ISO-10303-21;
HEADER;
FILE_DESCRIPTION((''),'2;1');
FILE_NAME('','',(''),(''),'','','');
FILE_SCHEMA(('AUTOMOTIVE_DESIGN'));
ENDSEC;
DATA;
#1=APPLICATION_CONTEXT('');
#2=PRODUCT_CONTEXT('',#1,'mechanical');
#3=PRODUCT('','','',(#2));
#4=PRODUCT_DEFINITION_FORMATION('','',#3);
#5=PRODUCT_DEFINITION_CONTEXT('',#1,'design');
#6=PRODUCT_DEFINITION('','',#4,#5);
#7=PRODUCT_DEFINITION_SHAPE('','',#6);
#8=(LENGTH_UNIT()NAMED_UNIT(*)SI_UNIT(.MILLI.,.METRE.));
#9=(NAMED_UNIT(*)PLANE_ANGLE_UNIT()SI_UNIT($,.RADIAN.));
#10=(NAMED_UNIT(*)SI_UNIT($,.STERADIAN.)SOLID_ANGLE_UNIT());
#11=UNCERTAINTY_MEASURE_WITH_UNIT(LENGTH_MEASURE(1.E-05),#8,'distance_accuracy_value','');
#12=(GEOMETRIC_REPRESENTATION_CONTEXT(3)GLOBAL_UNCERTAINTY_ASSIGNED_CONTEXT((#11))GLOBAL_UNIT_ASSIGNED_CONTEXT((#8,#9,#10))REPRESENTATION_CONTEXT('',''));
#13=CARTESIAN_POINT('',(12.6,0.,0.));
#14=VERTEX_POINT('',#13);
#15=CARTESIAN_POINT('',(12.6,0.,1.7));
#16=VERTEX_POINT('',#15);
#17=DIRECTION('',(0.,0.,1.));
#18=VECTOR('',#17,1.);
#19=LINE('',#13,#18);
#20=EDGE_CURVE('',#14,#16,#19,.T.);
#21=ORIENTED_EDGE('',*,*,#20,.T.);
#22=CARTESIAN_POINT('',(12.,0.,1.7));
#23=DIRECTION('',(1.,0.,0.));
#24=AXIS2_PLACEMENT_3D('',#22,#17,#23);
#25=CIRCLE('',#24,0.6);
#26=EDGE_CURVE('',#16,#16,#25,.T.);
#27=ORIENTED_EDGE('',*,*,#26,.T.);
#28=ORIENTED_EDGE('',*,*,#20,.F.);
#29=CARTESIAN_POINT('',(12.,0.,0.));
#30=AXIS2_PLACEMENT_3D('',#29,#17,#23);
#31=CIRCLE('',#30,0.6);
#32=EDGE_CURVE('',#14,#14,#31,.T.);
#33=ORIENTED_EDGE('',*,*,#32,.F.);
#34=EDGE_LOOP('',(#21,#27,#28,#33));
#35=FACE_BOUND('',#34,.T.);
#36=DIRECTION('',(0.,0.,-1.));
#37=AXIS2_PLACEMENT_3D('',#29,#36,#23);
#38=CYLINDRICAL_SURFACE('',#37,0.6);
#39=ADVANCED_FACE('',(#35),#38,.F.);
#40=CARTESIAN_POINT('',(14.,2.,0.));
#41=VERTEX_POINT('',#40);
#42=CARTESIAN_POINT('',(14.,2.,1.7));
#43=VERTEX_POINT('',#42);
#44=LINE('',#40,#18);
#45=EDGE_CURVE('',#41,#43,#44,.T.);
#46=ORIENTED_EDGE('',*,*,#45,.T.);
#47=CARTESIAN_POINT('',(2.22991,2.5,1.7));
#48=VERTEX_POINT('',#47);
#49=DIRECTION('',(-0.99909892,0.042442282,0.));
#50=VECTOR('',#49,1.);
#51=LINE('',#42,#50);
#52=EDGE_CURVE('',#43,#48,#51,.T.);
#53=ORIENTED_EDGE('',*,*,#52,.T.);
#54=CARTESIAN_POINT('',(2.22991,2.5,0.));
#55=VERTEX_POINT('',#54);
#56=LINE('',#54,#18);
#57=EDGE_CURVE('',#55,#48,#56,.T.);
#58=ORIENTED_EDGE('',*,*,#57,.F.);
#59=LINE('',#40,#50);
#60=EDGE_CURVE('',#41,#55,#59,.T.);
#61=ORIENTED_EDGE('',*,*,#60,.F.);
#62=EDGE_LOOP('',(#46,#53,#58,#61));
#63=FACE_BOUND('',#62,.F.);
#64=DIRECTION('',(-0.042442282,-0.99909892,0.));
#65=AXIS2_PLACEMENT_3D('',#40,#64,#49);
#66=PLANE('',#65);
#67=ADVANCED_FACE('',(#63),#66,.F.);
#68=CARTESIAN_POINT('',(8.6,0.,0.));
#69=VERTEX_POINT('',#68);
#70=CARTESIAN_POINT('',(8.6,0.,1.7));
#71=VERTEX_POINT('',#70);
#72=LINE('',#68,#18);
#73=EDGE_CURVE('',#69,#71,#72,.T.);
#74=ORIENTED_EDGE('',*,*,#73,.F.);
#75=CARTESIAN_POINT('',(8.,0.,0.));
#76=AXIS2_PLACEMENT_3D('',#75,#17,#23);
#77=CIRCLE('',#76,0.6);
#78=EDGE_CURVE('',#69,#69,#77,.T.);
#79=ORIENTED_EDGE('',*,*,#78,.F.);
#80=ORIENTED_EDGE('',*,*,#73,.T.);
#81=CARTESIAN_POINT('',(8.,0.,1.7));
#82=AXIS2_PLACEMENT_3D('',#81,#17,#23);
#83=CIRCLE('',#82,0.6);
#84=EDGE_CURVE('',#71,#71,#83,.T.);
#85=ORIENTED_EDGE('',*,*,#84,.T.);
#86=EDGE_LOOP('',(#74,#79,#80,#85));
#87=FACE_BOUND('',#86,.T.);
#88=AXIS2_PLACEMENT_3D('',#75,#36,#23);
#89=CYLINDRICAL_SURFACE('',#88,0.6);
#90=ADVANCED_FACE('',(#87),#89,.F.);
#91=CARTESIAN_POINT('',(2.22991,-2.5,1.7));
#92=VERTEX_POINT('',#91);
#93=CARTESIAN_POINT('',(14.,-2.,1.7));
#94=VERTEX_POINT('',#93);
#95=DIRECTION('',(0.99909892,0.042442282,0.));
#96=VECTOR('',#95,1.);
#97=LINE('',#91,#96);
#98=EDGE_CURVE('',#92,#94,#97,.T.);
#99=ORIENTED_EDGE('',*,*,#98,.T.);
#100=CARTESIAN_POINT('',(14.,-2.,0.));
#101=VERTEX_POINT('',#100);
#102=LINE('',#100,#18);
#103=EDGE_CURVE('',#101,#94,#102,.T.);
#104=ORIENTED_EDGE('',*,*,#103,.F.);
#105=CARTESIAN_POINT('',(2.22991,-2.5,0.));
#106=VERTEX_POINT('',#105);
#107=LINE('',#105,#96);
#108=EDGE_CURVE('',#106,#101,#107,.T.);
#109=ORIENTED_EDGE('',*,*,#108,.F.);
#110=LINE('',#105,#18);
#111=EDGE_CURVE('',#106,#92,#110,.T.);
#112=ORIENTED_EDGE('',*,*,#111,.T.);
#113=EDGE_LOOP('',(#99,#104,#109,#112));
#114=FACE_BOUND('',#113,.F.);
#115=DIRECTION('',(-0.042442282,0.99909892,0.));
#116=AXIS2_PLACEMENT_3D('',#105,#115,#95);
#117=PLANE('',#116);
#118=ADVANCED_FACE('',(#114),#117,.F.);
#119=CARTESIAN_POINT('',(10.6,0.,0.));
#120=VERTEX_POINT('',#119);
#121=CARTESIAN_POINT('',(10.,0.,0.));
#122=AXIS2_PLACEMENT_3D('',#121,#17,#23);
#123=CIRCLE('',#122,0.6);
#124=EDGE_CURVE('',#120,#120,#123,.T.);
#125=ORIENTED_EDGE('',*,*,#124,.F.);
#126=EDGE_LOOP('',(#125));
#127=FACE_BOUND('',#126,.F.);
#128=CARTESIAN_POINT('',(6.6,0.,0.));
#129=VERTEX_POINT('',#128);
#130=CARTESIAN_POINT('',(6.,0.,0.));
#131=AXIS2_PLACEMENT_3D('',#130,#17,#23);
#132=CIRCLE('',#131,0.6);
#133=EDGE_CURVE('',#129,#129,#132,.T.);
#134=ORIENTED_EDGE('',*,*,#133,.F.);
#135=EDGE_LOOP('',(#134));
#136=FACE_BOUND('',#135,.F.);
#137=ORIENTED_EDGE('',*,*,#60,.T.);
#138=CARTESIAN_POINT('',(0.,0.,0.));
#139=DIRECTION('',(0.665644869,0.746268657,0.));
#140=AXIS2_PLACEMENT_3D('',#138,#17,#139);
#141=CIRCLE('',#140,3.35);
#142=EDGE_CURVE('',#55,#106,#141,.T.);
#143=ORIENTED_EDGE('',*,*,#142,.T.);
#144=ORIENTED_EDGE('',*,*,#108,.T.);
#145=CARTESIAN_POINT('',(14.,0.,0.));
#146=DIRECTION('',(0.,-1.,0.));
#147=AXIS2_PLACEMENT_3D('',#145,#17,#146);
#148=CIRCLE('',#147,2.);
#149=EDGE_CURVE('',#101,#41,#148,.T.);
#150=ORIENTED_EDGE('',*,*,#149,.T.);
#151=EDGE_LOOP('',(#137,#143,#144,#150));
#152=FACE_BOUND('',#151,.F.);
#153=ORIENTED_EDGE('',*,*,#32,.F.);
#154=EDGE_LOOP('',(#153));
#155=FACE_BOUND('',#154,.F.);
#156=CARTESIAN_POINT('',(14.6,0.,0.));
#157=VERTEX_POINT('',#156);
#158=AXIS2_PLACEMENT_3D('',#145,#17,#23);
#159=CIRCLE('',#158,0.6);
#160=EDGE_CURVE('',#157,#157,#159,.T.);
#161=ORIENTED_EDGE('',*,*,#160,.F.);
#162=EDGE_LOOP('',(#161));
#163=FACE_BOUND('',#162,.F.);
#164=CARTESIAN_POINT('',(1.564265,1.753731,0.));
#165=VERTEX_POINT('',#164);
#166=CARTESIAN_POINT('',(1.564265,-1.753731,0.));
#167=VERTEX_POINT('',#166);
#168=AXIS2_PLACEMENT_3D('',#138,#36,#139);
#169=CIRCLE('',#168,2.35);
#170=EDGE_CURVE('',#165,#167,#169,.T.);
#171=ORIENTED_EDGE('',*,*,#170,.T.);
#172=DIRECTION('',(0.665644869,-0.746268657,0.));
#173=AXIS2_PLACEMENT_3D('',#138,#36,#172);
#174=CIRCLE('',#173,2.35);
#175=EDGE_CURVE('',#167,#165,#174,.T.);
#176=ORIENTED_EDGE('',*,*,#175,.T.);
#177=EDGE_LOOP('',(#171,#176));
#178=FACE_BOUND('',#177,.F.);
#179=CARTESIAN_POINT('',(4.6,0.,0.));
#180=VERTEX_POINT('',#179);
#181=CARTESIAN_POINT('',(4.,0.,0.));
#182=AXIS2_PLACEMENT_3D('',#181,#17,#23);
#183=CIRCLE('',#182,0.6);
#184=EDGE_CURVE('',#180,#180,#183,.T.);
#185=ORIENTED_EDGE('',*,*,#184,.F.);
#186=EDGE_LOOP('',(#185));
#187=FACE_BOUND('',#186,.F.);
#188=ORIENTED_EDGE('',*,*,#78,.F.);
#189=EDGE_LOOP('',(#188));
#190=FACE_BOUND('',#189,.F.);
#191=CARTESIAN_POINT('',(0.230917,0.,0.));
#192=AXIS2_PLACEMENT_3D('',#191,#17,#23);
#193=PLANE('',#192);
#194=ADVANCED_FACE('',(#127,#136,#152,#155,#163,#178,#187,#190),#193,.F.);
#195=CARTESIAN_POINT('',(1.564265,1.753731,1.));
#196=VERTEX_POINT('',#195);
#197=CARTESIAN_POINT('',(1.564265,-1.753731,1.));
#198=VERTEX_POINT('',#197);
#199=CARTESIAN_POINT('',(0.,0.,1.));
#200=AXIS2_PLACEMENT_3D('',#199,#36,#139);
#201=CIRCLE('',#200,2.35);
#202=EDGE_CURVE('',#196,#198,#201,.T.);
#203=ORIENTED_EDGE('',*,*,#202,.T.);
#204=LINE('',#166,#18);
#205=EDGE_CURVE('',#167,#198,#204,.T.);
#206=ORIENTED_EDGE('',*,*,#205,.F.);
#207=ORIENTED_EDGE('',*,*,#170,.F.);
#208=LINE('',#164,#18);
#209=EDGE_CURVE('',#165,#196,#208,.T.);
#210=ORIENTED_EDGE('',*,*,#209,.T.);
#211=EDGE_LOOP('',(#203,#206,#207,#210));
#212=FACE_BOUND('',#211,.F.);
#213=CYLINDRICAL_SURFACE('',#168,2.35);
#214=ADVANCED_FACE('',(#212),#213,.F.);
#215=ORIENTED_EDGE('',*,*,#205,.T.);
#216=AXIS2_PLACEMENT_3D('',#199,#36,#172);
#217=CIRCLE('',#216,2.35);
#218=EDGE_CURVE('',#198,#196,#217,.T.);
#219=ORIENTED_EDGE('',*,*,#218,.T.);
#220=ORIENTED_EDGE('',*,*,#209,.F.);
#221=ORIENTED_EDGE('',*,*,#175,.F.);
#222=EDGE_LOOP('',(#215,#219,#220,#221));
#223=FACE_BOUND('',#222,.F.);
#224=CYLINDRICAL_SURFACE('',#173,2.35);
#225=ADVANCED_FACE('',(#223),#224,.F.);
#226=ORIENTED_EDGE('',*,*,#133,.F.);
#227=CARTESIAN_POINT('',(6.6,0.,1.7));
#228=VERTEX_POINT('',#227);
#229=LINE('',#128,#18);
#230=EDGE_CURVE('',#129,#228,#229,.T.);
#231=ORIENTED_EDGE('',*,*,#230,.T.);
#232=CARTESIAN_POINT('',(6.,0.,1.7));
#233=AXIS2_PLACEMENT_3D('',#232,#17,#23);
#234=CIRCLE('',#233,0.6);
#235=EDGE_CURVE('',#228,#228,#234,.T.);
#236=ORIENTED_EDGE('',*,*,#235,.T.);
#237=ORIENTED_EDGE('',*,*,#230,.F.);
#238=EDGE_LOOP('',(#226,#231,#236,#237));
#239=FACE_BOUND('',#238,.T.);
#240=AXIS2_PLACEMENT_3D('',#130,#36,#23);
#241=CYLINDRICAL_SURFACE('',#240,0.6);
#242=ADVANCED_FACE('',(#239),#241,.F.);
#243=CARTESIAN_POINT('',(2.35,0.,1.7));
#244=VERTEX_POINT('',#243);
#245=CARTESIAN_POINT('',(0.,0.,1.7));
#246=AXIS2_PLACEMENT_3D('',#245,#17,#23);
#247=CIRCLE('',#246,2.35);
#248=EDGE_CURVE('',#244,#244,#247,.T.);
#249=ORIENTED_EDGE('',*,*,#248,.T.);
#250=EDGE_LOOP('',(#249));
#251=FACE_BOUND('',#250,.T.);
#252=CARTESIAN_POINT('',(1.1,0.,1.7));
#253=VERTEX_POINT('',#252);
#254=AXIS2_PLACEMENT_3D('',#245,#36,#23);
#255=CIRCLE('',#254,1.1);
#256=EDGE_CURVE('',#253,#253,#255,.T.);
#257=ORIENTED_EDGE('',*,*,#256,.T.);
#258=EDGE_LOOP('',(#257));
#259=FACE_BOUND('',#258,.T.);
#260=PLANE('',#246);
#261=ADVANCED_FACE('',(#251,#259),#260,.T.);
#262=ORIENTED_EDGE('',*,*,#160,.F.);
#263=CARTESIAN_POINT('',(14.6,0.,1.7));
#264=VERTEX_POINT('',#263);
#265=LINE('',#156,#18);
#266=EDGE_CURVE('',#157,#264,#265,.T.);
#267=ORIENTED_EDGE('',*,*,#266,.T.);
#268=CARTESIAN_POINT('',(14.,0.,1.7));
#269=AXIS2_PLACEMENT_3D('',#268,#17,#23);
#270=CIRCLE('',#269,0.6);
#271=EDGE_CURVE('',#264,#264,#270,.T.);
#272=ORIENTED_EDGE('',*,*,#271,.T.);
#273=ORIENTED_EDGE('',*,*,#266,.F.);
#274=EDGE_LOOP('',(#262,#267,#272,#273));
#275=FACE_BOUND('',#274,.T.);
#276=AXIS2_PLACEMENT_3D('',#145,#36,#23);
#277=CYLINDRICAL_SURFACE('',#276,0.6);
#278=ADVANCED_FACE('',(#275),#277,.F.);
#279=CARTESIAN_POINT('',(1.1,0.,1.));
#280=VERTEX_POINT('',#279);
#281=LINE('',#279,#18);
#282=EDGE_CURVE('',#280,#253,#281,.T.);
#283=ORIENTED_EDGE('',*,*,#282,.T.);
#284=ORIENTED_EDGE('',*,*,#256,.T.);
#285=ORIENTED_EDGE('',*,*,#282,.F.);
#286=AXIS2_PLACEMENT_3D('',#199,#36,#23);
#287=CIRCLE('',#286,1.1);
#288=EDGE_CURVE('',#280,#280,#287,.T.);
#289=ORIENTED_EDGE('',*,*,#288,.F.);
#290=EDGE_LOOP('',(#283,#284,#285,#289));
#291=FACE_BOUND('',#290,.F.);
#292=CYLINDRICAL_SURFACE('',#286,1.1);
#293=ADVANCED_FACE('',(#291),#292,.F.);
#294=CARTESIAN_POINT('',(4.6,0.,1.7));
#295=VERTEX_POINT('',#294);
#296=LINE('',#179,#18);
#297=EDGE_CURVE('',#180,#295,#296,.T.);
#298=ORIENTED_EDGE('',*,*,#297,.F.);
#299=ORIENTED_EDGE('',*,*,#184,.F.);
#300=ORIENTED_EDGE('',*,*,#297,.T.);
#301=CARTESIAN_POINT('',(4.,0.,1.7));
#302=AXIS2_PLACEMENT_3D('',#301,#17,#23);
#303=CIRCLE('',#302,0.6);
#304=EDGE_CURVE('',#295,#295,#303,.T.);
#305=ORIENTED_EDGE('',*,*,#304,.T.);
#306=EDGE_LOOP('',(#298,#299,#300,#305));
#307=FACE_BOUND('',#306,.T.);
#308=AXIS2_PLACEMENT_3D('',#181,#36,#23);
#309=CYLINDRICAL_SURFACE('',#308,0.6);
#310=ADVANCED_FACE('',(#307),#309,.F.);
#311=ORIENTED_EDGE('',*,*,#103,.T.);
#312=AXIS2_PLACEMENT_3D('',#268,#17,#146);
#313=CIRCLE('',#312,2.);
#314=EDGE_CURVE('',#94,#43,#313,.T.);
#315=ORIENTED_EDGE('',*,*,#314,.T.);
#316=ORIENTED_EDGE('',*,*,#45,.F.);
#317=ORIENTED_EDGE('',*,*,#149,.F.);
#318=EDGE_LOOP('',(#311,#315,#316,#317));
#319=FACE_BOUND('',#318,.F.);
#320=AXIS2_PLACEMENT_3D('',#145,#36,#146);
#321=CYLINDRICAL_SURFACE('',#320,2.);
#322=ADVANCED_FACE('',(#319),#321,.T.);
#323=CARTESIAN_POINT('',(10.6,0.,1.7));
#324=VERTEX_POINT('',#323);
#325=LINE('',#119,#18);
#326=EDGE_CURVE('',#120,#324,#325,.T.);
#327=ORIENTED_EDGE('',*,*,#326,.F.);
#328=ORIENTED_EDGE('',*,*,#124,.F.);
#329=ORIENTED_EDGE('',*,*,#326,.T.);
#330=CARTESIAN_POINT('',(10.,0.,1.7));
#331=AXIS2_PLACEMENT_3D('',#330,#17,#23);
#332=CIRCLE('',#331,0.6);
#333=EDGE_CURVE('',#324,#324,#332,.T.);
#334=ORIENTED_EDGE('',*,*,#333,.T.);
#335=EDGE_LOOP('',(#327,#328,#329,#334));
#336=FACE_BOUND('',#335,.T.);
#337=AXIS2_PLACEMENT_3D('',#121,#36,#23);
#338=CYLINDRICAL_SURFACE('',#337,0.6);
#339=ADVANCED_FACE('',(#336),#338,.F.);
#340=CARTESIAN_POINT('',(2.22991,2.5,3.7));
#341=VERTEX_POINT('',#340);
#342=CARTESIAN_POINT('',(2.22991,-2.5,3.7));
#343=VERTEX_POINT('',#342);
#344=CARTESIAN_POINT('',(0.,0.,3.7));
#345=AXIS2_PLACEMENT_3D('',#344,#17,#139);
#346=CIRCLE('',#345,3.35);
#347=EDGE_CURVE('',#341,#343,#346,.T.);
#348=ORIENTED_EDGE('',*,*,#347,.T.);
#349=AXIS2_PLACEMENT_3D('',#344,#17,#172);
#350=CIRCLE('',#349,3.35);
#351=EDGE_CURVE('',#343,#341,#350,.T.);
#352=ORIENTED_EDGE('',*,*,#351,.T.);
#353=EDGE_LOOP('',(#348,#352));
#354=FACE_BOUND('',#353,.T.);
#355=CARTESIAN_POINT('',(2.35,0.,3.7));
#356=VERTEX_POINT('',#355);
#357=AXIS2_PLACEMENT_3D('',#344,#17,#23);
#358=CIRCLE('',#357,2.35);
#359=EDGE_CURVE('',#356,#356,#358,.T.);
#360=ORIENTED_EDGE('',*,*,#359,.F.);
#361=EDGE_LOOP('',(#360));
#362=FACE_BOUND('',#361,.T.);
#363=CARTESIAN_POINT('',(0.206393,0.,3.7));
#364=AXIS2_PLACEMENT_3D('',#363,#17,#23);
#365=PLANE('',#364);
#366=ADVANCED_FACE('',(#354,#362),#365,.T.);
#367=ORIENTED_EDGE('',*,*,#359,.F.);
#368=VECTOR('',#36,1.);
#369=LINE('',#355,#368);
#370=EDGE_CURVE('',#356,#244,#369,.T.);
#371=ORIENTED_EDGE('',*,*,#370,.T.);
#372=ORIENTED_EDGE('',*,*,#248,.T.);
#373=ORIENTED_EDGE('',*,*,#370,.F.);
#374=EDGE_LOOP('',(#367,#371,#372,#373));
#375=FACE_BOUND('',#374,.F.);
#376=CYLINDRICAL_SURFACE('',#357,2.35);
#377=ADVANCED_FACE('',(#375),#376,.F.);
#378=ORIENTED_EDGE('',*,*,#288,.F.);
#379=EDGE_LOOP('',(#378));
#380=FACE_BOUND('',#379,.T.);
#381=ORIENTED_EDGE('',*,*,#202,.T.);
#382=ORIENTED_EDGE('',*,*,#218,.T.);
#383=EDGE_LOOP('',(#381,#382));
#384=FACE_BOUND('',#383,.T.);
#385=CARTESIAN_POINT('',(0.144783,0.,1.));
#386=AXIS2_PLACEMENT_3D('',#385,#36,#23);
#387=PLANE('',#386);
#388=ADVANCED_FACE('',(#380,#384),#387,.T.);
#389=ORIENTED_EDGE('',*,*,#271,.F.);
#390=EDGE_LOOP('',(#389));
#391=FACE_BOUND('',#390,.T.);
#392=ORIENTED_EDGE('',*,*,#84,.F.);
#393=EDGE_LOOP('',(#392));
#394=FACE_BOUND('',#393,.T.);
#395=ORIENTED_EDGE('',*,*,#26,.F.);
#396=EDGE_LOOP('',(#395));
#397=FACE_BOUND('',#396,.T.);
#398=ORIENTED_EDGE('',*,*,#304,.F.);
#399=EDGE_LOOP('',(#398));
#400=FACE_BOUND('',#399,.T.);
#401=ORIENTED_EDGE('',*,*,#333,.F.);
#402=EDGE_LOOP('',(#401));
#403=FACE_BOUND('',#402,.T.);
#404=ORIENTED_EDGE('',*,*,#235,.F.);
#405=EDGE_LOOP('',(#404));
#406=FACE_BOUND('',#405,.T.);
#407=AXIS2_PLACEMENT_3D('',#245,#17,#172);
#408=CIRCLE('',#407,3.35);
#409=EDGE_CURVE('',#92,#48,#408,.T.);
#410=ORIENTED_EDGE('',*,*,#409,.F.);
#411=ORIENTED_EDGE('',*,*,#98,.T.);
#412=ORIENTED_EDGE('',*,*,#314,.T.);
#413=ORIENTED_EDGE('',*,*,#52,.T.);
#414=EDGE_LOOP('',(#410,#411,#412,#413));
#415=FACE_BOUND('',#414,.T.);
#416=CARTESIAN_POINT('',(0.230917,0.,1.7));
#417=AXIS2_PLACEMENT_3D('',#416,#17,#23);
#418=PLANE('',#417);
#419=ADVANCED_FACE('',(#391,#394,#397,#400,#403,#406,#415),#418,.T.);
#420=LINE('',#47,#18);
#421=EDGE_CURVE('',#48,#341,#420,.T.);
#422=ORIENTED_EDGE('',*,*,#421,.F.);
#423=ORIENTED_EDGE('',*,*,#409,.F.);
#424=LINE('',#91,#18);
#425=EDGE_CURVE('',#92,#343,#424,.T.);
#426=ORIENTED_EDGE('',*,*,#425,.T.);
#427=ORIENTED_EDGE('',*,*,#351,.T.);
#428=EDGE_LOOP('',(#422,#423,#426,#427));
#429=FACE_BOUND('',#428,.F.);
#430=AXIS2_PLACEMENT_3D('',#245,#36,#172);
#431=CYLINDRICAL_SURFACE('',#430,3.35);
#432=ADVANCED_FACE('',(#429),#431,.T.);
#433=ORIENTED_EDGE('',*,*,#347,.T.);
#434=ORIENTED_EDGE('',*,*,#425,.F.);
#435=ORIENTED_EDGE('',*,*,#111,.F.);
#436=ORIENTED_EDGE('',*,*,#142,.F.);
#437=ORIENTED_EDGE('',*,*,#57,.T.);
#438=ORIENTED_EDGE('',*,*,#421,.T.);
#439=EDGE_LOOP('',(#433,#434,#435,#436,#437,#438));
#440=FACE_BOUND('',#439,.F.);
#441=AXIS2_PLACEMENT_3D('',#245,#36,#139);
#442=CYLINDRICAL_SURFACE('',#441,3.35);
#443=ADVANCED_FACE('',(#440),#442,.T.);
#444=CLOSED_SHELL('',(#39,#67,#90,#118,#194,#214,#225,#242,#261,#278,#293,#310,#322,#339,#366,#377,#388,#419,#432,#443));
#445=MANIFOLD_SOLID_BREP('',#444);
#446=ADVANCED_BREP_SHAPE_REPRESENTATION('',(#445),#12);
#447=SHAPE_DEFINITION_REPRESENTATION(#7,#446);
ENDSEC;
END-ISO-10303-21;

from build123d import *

# Parameters (mm, degrees)
F0_R     = 0.6
F1_DEPTH = 1.7
F3_DEPTH = 2
F5_DEPTH = 1
F6_R     = 1.1
F7_DEPTH = 2.701
F8_R     = 2.35
F9_DEPTH = 2


with BuildPart() as f1:
    # F0 (on Top) → F1 (new body)
    with BuildSketch(Plane.XY):
        with BuildLine():
            ThreePointArc((2.2299103121, -2.5), (3.057180036, -1.369726333), (3.35, 0))
            ThreePointArc((3.35, 0), (3.057180036, 1.369726333), (2.2299103121, 2.5))
            ThreePointArc((2.2299103121, 2.5), (-3.35, 0), (2.2299103121, -2.5))
        make_face()
        with BuildLine():
            ThreePointArc((2.2299103121, 2.5), (3.057180036, 1.369726333), (3.35, 0))
            ThreePointArc((3.35, 0), (3.057180036, -1.369726333), (2.2299103121, -2.5))
            Line((2.2299103121, -2.5), (14, -2))
            ThreePointArc((14, -2), (16, 0), (14, 2))
            Line((14, 2), (2.2299103121, 2.5))
        make_face()
        with Locations((4, 0)):
            Circle(F0_R, mode=Mode.SUBTRACT)
        with Locations((6, 0)):
            Circle(F0_R, mode=Mode.SUBTRACT)
        with Locations((8, 0)):
            Circle(F0_R, mode=Mode.SUBTRACT)
        with Locations((10, 0)):
            Circle(F0_R, mode=Mode.SUBTRACT)
        with Locations((12, 0)):
            Circle(F0_R, mode=Mode.SUBTRACT)
        with Locations((14, 0)):
            Circle(F0_R, mode=Mode.SUBTRACT)
    extrude(amount=F1_DEPTH)

    # F2 (on face) → F3 (join)
    with BuildSketch(Plane.XY.offset(1.7)):
        with BuildLine():
            ThreePointArc((2.2299103121, -2.5), (3.35, 0), (2.2299103121, 2.5))
            ThreePointArc((2.2299103121, 2.5), (-3.35, 0), (2.2299103121, -2.5))
        make_face()
    extrude(amount=F3_DEPTH)

    # F4 (on face) → F5 (cut)
    with BuildSketch(Plane(origin=(0, 0, 0), x_dir=(1, 0, 0), z_dir=(0, 0, -1))):
        with BuildLine():
            ThreePointArc((1.5642654428, 1.7537313433), (-2.35, 0), (1.5642654428, -1.7537313433))
            ThreePointArc((1.5642654428, -1.7537313433), (2.35, 0), (1.5642654428, 1.7537313433))
        make_face()
    extrude(amount=-F5_DEPTH, mode=Mode.SUBTRACT)

    # F6 (on face) → F7 (cut, through all)
    with BuildSketch(Plane(origin=(0, 0, 1), x_dir=(1, 0, 0), z_dir=(0, 0, -1))):
        Circle(F6_R)
    extrude(amount=-F7_DEPTH, mode=Mode.SUBTRACT)

    # F8 (on face) → F9 (cut, through all)
    with BuildSketch(Plane.XY.offset(3.7)):
        Circle(F8_R)
    extrude(amount=-F9_DEPTH, mode=Mode.SUBTRACT)


solid = f1.part
